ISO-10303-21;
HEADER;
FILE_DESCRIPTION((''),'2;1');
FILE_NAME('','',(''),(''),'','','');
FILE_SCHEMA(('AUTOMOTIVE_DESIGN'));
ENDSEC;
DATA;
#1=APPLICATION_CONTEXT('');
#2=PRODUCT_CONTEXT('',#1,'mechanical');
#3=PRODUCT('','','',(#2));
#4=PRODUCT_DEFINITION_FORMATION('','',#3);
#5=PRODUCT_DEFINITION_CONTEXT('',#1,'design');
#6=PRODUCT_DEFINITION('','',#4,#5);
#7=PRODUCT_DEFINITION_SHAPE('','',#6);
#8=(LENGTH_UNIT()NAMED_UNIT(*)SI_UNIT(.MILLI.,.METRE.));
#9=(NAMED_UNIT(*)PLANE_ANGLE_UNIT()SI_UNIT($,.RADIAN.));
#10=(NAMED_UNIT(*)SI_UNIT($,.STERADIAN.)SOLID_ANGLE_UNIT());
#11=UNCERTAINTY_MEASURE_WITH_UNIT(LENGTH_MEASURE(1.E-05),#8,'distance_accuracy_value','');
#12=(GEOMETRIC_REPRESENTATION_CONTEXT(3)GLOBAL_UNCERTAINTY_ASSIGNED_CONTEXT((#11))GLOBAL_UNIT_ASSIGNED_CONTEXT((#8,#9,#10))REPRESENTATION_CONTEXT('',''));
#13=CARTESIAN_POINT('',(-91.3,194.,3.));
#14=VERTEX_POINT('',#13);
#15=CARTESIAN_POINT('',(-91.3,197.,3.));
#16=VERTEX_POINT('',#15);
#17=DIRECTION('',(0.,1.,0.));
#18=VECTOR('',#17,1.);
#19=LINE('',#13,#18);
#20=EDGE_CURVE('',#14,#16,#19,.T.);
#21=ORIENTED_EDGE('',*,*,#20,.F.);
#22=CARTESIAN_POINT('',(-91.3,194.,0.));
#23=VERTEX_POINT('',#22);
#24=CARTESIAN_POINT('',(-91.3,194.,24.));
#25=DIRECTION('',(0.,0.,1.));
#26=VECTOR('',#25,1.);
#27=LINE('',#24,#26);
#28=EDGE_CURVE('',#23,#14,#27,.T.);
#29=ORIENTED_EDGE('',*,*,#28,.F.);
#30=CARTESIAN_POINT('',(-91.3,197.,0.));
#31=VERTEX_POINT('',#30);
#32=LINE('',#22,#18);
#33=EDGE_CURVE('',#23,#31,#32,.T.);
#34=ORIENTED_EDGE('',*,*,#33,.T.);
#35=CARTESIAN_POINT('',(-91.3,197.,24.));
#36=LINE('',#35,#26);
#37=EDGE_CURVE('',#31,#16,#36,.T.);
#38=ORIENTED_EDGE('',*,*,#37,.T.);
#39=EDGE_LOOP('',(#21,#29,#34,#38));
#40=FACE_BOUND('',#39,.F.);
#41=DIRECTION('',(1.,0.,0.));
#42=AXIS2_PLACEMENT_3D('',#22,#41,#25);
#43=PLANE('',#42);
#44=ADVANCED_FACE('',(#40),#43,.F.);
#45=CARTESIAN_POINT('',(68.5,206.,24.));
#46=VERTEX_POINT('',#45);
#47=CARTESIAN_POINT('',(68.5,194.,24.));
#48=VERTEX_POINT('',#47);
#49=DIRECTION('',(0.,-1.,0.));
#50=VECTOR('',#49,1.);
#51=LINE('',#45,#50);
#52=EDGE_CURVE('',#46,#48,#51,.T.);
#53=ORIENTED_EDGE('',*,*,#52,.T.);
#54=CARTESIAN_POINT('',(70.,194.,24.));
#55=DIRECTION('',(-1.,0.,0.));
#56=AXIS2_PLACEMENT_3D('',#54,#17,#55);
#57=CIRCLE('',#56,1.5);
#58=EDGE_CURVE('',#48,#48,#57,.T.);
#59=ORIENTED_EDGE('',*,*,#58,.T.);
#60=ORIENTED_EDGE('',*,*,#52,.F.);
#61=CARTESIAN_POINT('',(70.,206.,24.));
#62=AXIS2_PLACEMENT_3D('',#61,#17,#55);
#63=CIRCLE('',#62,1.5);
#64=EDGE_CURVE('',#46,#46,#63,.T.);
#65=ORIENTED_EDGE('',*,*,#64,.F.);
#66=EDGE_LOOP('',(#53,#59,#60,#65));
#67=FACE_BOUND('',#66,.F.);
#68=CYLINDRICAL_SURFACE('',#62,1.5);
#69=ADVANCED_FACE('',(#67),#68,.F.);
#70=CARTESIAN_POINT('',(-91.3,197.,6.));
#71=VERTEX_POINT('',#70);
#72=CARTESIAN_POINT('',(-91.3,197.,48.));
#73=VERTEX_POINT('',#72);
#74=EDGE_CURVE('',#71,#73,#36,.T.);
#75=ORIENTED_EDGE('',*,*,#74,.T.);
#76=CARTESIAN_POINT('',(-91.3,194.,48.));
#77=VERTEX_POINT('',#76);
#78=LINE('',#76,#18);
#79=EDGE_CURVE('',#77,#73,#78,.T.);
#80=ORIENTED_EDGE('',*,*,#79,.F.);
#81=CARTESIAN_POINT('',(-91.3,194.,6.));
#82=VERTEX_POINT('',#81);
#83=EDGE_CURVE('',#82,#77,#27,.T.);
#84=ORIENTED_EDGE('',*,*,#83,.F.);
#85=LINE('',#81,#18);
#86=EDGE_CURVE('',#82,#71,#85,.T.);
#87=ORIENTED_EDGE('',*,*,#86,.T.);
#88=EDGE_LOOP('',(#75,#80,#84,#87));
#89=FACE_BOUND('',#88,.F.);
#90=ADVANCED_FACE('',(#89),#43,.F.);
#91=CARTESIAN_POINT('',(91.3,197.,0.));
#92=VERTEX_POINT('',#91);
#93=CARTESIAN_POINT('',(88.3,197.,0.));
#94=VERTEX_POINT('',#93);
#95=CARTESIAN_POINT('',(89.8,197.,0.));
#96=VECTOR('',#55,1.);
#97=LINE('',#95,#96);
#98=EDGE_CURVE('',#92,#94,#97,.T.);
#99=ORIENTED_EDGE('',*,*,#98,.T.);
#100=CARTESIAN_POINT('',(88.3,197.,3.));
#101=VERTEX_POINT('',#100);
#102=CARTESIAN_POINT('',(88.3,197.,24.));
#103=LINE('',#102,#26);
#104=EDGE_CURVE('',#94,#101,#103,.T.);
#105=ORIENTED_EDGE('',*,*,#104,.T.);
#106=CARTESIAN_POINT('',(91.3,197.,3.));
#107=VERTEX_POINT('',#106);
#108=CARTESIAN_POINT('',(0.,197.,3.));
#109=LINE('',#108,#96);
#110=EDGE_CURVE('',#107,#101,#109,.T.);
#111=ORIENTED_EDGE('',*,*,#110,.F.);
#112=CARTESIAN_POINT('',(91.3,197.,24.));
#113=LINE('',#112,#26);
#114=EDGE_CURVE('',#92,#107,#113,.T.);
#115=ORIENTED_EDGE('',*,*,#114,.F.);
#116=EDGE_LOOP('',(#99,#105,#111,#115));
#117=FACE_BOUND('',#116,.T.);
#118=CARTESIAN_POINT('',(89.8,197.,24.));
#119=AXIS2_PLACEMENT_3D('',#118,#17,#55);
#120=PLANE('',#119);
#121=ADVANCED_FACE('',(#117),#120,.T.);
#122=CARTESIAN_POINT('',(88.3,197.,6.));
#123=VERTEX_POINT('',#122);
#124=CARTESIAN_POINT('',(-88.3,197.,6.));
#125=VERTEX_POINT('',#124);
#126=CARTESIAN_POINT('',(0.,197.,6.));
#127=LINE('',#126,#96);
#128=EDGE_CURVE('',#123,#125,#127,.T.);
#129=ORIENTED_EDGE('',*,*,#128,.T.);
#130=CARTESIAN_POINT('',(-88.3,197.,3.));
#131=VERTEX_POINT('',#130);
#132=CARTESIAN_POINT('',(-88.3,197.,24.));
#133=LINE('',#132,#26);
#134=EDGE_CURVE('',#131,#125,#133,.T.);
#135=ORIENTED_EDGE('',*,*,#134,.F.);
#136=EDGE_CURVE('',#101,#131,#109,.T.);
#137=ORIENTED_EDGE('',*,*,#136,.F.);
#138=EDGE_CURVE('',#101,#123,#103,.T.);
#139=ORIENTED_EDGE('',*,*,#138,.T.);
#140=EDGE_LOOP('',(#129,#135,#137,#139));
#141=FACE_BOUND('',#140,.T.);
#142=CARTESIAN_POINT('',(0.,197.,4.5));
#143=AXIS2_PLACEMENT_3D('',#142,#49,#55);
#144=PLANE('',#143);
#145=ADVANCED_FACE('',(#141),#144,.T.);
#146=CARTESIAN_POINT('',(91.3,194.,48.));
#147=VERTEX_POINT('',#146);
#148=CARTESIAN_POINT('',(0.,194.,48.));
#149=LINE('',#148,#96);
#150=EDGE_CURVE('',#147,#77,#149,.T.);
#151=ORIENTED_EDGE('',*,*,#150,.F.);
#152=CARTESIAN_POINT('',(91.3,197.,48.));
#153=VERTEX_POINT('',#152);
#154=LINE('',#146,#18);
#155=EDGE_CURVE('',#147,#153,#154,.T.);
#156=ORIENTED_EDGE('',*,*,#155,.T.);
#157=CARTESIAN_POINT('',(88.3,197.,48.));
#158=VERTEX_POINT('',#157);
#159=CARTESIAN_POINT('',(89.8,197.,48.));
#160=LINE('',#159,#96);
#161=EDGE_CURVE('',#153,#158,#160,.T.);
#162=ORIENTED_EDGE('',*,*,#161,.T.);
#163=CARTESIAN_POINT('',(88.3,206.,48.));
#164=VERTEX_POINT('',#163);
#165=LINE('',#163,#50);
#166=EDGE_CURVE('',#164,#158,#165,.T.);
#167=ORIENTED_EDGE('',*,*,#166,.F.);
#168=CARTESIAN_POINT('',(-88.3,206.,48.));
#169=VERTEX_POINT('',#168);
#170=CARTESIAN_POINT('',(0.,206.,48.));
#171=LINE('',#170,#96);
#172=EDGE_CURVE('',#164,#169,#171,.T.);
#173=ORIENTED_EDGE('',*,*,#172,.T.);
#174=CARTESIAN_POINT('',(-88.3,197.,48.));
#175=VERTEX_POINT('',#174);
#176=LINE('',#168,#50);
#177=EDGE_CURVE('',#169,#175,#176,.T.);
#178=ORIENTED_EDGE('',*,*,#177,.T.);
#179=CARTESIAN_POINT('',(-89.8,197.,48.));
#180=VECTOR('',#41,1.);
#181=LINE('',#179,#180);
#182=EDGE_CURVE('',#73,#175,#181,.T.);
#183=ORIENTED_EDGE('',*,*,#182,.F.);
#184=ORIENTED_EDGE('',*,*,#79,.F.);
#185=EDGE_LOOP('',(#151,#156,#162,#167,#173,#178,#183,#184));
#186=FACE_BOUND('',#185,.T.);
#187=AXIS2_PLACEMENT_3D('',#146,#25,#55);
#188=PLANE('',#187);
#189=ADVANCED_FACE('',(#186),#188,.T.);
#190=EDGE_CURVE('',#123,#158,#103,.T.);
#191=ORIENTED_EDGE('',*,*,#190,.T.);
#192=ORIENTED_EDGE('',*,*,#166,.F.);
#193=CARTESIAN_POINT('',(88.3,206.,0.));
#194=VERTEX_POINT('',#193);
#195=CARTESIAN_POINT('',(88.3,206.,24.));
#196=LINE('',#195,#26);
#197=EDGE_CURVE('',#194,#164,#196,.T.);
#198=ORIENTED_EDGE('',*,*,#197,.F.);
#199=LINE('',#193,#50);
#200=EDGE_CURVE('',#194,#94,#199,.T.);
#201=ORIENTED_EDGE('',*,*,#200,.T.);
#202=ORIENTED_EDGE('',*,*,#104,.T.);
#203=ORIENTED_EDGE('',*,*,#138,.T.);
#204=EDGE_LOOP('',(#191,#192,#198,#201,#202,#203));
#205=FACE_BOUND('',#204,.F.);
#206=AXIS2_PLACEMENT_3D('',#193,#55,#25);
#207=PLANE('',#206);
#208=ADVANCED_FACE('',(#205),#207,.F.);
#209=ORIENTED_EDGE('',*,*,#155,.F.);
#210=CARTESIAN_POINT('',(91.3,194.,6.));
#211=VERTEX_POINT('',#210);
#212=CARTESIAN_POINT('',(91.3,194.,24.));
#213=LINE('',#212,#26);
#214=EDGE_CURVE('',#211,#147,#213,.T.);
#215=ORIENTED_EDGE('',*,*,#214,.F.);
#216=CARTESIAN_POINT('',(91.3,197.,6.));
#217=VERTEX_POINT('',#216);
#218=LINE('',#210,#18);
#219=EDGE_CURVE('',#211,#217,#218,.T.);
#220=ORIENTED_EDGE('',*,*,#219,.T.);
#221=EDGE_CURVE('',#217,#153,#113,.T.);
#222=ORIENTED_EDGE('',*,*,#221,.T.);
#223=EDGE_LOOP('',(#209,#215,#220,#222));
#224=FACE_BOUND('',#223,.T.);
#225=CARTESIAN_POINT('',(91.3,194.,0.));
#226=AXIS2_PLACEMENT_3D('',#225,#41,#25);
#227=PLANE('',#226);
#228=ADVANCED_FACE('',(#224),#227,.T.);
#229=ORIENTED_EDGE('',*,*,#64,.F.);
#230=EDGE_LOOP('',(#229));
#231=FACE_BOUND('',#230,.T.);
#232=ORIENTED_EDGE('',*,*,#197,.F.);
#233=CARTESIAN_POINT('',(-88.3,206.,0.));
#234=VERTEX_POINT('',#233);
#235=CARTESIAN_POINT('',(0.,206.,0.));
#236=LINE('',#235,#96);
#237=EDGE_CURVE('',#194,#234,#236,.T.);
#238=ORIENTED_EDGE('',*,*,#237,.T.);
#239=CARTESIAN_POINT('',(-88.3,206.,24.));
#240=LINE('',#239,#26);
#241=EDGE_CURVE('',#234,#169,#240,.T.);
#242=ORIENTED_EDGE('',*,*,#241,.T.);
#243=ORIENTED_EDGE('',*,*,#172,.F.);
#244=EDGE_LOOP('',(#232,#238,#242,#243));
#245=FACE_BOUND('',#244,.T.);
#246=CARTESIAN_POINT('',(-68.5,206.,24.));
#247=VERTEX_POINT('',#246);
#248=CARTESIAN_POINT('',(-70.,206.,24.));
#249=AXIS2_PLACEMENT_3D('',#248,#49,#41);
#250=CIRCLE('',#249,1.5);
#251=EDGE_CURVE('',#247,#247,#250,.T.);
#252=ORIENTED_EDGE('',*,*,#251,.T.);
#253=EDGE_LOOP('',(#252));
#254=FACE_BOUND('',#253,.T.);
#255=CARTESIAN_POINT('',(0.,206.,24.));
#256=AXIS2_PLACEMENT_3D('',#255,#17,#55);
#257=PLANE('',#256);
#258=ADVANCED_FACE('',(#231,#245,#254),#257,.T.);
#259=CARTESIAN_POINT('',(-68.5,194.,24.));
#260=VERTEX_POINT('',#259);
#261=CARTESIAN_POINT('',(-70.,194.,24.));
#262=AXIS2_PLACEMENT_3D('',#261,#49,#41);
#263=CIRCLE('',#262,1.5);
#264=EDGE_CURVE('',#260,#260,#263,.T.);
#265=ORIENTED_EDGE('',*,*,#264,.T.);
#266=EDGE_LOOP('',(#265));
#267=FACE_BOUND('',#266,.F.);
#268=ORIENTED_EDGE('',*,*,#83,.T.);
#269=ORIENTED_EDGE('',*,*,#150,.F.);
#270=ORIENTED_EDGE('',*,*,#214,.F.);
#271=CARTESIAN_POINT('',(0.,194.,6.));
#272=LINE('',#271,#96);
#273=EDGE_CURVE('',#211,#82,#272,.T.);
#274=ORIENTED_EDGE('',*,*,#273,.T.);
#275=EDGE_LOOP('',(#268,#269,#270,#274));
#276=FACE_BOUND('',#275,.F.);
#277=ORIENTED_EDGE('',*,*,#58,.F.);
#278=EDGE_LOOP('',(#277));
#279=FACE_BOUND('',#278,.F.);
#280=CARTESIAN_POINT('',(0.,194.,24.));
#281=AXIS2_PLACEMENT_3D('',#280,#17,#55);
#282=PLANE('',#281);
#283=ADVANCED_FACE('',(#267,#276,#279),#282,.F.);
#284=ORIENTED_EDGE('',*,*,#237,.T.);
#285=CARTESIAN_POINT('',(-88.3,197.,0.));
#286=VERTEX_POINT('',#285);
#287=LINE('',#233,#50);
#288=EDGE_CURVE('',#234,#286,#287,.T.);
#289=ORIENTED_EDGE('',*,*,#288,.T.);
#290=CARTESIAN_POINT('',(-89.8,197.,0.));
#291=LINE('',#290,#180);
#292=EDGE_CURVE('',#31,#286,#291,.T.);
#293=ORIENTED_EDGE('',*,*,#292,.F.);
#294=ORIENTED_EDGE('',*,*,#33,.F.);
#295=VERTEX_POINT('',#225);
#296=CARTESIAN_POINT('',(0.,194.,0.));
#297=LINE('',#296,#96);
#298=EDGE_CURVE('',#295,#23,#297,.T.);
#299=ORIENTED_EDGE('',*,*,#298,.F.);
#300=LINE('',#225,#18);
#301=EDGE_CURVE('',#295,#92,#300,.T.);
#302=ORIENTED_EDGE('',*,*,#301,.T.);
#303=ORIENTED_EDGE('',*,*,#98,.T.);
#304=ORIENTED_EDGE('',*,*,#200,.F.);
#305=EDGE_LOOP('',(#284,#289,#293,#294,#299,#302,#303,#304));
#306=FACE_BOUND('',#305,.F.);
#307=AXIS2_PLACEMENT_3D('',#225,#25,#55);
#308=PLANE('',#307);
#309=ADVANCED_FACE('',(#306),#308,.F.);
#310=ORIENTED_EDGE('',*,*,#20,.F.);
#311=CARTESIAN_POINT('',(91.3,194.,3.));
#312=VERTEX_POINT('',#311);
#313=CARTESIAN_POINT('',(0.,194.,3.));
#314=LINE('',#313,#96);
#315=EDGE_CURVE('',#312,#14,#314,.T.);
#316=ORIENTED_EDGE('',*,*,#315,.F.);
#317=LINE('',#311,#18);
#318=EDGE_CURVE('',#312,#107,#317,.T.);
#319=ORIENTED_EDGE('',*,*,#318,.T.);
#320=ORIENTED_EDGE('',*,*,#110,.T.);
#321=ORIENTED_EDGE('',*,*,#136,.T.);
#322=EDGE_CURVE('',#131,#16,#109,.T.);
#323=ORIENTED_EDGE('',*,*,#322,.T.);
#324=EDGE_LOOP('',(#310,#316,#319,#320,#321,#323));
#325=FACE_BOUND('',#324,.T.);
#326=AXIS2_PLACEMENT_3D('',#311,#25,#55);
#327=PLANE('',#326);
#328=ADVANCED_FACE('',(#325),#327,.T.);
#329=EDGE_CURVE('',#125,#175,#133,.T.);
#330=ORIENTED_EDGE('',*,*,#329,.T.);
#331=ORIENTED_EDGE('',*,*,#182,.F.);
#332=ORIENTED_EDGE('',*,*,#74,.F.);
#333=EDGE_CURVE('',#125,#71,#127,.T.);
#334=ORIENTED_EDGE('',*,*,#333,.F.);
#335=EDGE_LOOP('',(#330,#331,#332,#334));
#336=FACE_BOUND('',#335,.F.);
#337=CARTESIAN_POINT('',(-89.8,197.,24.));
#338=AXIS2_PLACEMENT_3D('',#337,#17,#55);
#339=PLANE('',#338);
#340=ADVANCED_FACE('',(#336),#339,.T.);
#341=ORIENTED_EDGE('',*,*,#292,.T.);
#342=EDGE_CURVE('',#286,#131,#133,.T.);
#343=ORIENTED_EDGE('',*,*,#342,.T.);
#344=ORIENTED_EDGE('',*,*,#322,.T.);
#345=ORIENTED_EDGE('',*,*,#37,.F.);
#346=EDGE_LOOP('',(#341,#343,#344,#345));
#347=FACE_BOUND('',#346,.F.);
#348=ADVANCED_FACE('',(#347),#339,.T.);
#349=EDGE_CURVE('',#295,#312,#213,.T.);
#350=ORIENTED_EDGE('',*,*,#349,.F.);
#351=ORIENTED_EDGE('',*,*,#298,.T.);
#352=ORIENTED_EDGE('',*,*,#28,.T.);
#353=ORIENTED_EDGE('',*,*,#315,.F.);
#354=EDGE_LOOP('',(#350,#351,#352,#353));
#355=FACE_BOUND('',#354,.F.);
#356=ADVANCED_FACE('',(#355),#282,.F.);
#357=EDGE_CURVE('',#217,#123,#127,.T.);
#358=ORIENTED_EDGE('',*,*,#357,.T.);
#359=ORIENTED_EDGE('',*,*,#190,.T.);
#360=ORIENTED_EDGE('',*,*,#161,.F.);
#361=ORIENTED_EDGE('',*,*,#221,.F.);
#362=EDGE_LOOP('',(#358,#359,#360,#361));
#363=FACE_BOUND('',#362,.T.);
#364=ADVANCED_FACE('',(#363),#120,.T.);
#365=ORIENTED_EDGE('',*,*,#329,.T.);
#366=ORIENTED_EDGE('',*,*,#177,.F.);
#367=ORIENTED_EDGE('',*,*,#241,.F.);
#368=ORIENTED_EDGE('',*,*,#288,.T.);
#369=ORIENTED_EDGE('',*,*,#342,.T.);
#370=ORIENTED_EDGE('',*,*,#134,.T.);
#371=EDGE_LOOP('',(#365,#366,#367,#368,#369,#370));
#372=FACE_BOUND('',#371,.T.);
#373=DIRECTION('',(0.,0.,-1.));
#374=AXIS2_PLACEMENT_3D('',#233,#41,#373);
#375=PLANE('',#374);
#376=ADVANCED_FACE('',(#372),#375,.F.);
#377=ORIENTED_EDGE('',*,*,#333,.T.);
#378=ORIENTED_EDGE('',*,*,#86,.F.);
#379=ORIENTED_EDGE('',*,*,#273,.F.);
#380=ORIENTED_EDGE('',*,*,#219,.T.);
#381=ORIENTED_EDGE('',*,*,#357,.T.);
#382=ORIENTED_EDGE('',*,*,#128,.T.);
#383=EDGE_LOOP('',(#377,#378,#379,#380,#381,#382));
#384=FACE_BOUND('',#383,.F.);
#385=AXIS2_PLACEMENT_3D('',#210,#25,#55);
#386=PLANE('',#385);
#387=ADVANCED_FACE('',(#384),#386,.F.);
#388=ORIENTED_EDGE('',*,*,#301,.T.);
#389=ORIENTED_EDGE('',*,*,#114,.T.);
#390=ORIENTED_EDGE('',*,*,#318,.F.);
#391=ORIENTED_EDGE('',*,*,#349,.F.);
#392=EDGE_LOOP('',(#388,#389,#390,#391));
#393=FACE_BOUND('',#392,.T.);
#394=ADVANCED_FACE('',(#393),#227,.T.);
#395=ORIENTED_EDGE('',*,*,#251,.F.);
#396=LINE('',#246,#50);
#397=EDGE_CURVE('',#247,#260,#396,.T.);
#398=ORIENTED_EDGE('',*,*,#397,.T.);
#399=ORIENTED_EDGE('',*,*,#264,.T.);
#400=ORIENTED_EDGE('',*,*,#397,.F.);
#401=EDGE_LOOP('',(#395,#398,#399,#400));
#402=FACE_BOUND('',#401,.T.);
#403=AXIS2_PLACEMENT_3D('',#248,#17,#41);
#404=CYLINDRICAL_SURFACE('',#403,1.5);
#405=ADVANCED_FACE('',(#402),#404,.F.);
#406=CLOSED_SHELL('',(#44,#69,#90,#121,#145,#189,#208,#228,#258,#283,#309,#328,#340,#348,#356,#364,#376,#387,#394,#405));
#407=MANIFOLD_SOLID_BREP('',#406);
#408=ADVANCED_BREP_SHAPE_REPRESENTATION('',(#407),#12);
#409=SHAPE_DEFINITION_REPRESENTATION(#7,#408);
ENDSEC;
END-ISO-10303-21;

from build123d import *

# Parameters (mm, degrees)
SKETCH047_W             = 182.6
SKETCH047_H             = 48
PAD017_DEPTH            = 12
SKETCH048_W             = 3
SKETCH048_H             = 48
POCKET030_DEPTH         = 9
SKETCH049_W             = 182.6
SKETCH049_H             = 3
POCKET031_DEPTH         = 3
SKETCH054_R             = 1.5
POCKET033_DEPTH         = 12
BODY015_PLACEMENT_ANGLE = 90
BODY018_PLACEMENT_ANGLE = 180


with BuildPart() as part:
    # Sketch047 → Pad017 (new body)
    with BuildSketch(Plane.XY):
        with Locations((0, 24)):
            Rectangle(SKETCH047_W, SKETCH047_H)
    extrude(amount=PAD017_DEPTH)

    # Sketch048 (on Face6 of Pad017) → Pocket030 (cut)
    with BuildSketch(Plane.XY.offset(12)):
        with Locations((-89.8, 24)):
            Rectangle(SKETCH048_W, SKETCH048_H)
    pocket030 = extrude(amount=-POCKET030_DEPTH, mode=Mode.SUBTRACT)

    # Mirrored002: Pocket030 across Sketch048 V_Axis
    add(pocket030.mirror(Plane(origin=(0, 0, 12), x_dir=(0, 0, 1), z_dir=(1, 0, 0))), mode=Mode.SUBTRACT)

    # Sketch049 (on Face2 of Mirrored002) → Pocket031 (cut)
    with BuildSketch(Plane(origin=(0, 0, 0), x_dir=(1, 0, 0), z_dir=(0, 0, -1))):
        with Locations((0, -4.5)):
            Rectangle(SKETCH049_W, SKETCH049_H)
    extrude(amount=-POCKET031_DEPTH, mode=Mode.SUBTRACT)

    # Sketch054 (on Face6 of Pocket031) → Pocket033 (cut)
    with BuildSketch(Plane.XY.offset(12)):
        with Locations((-70, 24)):
            Circle(SKETCH054_R)
    pocket033 = extrude(amount=-POCKET033_DEPTH, mode=Mode.SUBTRACT)

    # Mirrored003: Pocket033 across Sketch054 V_Axis
    add(pocket033.mirror(Plane(origin=(0, 0, 12), x_dir=(0, 0, 1), z_dir=(1, 0, 0))), mode=Mode.SUBTRACT)


with BuildPart() as part_1:
    # Body015 placement: moved
    add(part.part.moved(Location((0, 12, 0))).rotate(Axis((0, 12, 0), (1, 0, 0)), BODY015_PLACEMENT_ANGLE))


with BuildPart() as part_2:
    # Body018 placement: moved
    add(part_1.part.moved(Location((0, 206, 0))).rotate(Axis((0, 206, 0), (0, 0, 1)), BODY018_PLACEMENT_ANGLE))


solid = part_2.part
